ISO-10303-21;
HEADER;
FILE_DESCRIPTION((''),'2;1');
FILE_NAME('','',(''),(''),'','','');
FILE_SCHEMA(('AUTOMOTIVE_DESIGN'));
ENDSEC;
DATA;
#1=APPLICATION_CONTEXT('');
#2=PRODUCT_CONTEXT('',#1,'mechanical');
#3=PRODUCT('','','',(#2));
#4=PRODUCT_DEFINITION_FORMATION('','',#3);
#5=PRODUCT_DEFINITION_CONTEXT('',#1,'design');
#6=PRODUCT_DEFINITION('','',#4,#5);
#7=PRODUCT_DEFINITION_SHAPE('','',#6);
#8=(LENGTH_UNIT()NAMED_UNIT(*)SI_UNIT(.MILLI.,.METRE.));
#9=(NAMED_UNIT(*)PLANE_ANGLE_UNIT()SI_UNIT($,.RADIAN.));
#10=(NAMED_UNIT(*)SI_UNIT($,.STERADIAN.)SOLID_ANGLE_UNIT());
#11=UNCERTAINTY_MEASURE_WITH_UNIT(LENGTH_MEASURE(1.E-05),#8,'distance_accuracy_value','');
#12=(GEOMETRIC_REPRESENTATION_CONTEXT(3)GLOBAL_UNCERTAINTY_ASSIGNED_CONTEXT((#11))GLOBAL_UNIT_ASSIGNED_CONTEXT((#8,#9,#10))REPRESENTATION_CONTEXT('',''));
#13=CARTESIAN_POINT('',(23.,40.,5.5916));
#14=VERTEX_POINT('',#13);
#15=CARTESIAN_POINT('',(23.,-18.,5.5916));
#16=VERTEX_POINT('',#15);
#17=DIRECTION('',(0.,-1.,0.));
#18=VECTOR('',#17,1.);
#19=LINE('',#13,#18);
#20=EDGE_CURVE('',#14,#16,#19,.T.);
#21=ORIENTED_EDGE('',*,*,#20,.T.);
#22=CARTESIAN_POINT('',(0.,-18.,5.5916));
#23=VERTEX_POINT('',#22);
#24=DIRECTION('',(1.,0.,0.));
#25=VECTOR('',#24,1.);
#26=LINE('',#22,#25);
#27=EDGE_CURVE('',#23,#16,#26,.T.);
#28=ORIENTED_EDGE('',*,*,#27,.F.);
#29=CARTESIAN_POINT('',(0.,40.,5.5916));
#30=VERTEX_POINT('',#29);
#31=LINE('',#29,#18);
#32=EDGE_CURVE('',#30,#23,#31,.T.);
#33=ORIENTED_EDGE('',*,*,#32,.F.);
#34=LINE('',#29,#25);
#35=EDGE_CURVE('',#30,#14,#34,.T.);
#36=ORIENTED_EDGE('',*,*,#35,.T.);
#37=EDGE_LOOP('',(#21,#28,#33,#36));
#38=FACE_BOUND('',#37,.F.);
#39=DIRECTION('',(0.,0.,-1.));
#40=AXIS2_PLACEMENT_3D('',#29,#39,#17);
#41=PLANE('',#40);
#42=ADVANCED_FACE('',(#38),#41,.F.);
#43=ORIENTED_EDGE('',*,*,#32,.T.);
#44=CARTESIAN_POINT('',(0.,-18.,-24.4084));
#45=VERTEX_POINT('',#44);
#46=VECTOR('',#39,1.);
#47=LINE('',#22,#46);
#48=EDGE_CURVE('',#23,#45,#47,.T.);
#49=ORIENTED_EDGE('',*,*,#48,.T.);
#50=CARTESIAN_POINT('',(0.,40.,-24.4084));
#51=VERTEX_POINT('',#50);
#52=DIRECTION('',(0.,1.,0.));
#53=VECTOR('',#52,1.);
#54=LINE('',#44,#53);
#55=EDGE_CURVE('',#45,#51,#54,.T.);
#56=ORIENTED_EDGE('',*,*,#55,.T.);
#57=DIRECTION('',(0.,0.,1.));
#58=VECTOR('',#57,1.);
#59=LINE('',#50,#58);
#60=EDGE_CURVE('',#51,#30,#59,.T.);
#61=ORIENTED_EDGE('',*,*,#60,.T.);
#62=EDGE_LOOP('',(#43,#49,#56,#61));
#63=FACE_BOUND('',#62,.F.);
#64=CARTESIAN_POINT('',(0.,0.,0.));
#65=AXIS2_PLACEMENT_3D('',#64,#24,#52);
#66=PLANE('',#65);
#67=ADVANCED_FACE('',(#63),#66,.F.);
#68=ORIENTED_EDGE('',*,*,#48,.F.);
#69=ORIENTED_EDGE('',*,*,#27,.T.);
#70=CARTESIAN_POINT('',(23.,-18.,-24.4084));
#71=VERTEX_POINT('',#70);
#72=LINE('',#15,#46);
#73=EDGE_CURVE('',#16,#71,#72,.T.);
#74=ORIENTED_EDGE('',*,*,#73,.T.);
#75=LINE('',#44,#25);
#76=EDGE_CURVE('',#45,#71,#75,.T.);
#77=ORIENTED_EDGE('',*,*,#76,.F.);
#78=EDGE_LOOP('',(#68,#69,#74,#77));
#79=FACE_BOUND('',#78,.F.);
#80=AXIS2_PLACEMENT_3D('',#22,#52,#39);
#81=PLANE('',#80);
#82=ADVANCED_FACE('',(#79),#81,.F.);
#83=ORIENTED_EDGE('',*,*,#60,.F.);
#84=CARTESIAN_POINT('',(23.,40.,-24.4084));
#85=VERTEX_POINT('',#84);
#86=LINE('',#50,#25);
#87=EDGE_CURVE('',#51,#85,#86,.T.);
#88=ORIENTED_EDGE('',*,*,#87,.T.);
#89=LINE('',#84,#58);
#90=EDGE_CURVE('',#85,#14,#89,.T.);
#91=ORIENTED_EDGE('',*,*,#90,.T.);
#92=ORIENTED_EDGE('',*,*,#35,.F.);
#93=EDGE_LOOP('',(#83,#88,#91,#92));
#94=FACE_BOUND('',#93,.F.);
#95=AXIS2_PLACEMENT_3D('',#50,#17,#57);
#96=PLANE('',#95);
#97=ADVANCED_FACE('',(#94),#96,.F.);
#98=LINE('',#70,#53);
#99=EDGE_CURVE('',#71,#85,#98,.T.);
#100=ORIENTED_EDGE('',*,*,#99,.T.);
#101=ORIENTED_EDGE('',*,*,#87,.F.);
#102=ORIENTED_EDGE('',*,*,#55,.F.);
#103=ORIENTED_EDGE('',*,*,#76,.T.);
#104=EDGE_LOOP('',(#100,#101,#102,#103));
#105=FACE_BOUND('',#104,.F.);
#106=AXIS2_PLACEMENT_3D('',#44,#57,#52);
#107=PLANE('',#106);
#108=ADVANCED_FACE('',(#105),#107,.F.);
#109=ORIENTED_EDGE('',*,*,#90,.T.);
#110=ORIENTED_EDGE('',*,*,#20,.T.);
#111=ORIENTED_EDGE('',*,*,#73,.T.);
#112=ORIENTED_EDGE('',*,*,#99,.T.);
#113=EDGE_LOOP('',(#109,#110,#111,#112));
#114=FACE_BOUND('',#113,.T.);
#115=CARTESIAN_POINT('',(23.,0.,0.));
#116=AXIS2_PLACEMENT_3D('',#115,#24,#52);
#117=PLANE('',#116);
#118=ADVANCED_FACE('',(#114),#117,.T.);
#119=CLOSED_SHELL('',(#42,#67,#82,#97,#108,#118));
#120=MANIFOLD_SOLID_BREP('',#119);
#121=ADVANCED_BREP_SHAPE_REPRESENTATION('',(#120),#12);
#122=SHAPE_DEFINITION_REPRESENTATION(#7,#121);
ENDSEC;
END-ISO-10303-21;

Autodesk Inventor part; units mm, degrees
ref_plane "YZ Plane" through (0, 0, 0) normal (1, 0, 0) x (0, 1, 0)
ref_plane "XZ Plane" through (0, 0, 0) normal (0, 1, 0) x (-1, 0, 0)
ref_plane "XY Plane" through (0, 0, 0) normal (0, 0, 1) x (1, 0, 0)
sketch "Sketch1" plane through (0, 0, 0) normal (1, 0, 0) x (0, 1, 0)
  line L0 (40, 5.5916) -> (-18, 5.5916)
  line L1 (-18, 5.5916) -> (-18, -24.4084)
  line L2 (-18, -24.4084) -> (40, -24.4084)
  line L3 (40, -24.4084) -> (40, 5.5916)
  point P0 (0, 0)
  dimension "d0" = 58
  dimension "d1" = 30
extrude "Extrusion1" add sketch "Sketch1" along normal blind 23
sketch "Sketch2" plane through (0, 40, 5.5916) normal (0, 1, 0) x (1, 0, 0)
  point P0 (0, 5.5916)
properties part number "casing"
